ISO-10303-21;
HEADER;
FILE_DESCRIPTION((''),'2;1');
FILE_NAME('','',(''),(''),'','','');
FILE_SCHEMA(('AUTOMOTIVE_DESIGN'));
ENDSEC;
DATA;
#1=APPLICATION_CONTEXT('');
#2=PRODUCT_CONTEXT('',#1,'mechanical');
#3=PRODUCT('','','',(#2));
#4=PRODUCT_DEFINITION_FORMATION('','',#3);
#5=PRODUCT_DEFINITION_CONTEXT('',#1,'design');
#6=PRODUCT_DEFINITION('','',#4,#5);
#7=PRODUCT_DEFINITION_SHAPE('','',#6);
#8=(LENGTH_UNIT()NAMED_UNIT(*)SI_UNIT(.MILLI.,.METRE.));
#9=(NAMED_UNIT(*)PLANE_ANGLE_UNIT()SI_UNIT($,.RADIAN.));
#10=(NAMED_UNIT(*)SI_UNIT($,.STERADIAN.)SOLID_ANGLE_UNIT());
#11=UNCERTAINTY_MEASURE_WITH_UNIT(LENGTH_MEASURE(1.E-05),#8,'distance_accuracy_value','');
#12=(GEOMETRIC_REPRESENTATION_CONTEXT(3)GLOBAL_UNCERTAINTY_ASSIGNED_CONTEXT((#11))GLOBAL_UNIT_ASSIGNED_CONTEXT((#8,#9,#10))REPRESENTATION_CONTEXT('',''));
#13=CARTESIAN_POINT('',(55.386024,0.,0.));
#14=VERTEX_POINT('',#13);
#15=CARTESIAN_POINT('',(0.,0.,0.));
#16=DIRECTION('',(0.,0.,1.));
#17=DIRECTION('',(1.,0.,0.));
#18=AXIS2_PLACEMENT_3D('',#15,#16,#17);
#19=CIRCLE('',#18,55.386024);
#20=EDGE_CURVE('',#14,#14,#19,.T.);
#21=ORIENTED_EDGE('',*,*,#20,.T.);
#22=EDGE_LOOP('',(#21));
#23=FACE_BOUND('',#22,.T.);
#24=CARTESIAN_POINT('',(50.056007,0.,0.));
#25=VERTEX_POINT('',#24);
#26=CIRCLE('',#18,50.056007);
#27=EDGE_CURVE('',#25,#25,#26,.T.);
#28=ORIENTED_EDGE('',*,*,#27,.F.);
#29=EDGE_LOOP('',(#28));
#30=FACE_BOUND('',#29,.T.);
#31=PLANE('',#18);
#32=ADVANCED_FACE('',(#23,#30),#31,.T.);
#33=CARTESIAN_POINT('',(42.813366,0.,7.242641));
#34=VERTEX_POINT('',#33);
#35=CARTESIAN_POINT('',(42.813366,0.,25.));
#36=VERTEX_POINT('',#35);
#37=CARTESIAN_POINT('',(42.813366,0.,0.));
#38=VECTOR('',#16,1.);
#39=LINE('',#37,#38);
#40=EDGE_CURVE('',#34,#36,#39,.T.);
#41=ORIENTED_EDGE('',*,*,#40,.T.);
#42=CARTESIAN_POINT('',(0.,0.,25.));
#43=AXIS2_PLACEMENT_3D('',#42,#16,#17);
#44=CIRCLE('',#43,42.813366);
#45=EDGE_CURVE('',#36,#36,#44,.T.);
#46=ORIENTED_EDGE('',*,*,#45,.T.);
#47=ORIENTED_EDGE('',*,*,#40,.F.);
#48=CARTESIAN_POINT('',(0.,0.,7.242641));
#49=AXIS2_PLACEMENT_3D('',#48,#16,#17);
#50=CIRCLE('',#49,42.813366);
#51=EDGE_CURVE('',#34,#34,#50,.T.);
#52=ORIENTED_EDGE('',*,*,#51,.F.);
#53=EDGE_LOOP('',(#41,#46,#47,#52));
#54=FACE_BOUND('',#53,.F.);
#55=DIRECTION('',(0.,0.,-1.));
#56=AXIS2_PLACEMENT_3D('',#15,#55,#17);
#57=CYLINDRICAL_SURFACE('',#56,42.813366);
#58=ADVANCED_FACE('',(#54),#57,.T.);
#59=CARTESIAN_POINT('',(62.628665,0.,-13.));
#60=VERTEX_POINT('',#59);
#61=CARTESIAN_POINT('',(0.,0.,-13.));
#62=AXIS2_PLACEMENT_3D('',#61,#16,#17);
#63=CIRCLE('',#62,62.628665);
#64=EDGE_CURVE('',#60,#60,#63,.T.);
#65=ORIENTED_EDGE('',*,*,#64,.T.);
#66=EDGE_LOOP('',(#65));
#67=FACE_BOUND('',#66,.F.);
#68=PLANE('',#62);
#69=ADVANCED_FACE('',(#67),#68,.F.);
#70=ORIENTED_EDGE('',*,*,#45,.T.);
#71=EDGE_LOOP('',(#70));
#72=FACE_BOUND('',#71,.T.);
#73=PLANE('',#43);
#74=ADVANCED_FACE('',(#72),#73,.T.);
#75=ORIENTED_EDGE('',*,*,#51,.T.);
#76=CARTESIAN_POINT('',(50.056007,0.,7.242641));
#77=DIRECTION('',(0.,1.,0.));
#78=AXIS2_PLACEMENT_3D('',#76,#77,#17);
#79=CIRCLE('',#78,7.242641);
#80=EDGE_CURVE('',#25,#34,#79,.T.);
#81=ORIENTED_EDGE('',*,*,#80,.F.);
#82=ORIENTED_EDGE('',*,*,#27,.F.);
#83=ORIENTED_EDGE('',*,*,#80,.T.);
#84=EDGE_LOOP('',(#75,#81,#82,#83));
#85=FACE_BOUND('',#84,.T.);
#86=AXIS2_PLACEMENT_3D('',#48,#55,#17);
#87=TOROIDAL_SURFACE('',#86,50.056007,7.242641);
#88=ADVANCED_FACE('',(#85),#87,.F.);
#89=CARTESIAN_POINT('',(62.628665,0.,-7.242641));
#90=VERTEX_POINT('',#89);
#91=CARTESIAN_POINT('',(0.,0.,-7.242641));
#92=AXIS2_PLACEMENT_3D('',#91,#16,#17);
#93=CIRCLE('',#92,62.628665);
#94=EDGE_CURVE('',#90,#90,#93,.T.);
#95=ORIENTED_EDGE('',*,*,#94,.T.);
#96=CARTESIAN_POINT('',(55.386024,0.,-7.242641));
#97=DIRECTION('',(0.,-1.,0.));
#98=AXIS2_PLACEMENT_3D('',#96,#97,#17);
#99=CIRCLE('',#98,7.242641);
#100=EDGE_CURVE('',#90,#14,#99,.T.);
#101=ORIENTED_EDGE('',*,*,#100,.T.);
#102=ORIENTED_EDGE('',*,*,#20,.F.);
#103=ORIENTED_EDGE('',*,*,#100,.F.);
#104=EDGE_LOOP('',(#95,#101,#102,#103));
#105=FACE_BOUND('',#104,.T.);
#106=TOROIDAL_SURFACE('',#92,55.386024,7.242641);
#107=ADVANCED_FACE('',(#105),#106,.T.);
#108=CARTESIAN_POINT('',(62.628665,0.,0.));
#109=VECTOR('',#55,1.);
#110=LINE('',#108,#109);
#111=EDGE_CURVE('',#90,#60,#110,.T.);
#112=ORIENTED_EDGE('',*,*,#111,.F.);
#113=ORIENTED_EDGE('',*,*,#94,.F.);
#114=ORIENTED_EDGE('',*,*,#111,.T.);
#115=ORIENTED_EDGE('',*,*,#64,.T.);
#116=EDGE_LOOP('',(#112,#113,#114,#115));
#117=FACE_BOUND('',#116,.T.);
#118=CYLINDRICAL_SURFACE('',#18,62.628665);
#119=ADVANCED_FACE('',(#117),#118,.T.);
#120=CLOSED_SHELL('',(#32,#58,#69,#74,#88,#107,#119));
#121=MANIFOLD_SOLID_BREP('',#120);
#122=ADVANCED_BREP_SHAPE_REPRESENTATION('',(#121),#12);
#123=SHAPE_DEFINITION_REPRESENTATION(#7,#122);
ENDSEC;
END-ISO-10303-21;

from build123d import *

# Parameters (mm, degrees)
F0_R     = 42.8133660757
F1_DEPTH = 25
F2_R     = 62.6286647671
F3_DEPTH = 13
F4_R     = 7.2426406871


with BuildPart() as f1:
    # F0 (on Top) → F1 (new body)
    with BuildSketch(Plane.XY):
        Circle(F0_R)
    extrude(amount=F1_DEPTH)

    # F2 (on Top) → F3 (join)
    with BuildSketch(Plane.XY):
        Circle(F2_R)
    extrude(amount=-F3_DEPTH)

    # F4
    f4_edges = [f1.edges().sort_by_distance(p)[0] for p in [
        (-62.628665, 0, 0),
        (-42.813366, 0, 0),
    ]]
    fillet(f4_edges, radius=F4_R)


solid = f1.part
